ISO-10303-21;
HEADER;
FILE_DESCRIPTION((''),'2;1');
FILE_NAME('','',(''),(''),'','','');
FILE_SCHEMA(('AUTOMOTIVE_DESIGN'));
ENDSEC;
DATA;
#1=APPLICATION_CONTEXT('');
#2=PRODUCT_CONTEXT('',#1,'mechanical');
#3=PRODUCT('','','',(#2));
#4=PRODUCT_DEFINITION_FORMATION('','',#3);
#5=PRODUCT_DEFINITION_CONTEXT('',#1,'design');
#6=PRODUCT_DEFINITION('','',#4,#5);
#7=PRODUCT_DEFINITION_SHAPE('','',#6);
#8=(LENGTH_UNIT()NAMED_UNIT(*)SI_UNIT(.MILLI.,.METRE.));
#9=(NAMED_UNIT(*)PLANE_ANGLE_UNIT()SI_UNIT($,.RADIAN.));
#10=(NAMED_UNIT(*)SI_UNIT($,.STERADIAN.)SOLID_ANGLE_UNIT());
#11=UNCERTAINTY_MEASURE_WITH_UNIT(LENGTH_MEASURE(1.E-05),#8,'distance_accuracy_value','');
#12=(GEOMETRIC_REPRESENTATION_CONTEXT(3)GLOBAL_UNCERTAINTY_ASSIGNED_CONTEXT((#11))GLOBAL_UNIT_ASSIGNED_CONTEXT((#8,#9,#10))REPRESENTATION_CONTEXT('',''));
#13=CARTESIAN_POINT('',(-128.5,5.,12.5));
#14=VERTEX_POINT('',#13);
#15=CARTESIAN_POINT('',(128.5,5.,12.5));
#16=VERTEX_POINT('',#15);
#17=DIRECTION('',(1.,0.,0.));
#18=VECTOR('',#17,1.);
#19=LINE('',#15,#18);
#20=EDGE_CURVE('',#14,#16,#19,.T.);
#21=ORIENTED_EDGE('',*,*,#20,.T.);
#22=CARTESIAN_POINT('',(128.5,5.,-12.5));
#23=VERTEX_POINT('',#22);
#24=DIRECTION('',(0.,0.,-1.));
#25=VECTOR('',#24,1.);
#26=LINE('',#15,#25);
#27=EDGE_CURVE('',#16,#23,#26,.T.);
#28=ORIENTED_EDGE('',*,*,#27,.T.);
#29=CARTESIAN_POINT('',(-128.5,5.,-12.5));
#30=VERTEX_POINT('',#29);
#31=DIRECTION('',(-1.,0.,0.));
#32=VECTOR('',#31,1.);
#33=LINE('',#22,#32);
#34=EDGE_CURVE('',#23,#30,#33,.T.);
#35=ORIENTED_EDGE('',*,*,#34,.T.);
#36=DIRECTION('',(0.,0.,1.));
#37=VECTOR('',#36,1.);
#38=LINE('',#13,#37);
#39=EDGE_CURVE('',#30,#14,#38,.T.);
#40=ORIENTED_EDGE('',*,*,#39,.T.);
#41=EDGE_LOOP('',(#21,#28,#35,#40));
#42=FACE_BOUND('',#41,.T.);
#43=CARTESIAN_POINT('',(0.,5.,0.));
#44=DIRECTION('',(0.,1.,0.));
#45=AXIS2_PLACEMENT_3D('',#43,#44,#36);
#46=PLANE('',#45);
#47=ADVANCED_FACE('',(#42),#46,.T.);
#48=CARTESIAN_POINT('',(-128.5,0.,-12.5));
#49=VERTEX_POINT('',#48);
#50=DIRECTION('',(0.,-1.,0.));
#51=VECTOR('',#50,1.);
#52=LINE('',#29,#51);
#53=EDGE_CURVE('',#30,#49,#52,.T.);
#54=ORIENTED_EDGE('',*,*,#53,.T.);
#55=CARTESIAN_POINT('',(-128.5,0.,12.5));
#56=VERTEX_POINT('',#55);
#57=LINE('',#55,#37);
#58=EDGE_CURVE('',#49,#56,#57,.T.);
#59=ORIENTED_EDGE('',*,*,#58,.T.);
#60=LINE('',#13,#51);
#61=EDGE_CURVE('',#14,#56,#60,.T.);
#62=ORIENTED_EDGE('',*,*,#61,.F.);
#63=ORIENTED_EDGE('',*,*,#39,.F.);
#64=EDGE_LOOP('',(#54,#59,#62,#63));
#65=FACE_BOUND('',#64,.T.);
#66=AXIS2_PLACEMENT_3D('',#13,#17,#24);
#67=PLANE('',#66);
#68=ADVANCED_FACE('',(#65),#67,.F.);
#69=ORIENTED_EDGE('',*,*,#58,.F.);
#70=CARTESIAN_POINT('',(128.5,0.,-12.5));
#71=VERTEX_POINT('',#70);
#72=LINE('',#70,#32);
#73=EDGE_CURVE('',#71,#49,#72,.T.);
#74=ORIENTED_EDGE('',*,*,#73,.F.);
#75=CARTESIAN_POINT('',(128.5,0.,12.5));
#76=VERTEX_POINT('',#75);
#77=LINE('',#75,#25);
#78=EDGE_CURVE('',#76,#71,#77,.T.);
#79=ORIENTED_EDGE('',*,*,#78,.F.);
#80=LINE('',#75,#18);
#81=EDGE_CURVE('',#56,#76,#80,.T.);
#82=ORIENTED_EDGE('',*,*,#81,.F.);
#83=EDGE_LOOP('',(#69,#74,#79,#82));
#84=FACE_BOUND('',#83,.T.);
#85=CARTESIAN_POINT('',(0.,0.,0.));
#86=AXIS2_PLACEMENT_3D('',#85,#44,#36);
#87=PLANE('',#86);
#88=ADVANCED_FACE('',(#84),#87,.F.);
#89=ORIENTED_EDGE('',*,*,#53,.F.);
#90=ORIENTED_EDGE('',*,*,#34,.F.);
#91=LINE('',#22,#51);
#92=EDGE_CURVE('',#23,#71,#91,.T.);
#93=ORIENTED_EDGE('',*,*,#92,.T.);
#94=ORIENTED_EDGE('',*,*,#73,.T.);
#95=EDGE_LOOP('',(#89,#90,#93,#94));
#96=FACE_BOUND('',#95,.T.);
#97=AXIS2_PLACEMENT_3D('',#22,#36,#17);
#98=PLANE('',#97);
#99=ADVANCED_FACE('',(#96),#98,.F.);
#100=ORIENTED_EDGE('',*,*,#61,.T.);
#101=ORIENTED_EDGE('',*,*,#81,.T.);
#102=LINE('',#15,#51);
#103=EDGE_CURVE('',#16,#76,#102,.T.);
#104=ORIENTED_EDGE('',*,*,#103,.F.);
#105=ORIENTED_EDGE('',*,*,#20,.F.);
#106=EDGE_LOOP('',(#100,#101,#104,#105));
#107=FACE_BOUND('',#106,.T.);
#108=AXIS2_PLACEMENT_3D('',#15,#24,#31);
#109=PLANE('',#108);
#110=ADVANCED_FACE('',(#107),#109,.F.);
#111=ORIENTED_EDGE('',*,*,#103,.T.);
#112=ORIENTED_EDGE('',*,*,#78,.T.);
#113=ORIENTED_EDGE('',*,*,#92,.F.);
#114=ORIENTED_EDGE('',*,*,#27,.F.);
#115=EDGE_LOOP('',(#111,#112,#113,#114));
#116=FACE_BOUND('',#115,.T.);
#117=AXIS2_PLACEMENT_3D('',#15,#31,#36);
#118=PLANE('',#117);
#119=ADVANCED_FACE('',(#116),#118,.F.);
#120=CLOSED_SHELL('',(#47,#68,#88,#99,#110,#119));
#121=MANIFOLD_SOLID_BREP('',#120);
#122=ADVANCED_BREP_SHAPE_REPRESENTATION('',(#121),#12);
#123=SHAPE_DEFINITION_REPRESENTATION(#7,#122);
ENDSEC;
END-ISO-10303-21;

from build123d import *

# Parameters (mm, degrees)
SKETCH_1_W      = 257
SKETCH_1_H      = 25
EXTRUDE_1_DEPTH = 5


with BuildPart() as part:
    # 草图1 → 凸台-拉伸1 (new body)
    with BuildSketch(Plane(origin=(0, 0, 0), x_dir=(1, 0, 0), z_dir=(0, 1, 0))):
        Rectangle(SKETCH_1_W, SKETCH_1_H)
    extrude(amount=EXTRUDE_1_DEPTH)


solid = part.part
